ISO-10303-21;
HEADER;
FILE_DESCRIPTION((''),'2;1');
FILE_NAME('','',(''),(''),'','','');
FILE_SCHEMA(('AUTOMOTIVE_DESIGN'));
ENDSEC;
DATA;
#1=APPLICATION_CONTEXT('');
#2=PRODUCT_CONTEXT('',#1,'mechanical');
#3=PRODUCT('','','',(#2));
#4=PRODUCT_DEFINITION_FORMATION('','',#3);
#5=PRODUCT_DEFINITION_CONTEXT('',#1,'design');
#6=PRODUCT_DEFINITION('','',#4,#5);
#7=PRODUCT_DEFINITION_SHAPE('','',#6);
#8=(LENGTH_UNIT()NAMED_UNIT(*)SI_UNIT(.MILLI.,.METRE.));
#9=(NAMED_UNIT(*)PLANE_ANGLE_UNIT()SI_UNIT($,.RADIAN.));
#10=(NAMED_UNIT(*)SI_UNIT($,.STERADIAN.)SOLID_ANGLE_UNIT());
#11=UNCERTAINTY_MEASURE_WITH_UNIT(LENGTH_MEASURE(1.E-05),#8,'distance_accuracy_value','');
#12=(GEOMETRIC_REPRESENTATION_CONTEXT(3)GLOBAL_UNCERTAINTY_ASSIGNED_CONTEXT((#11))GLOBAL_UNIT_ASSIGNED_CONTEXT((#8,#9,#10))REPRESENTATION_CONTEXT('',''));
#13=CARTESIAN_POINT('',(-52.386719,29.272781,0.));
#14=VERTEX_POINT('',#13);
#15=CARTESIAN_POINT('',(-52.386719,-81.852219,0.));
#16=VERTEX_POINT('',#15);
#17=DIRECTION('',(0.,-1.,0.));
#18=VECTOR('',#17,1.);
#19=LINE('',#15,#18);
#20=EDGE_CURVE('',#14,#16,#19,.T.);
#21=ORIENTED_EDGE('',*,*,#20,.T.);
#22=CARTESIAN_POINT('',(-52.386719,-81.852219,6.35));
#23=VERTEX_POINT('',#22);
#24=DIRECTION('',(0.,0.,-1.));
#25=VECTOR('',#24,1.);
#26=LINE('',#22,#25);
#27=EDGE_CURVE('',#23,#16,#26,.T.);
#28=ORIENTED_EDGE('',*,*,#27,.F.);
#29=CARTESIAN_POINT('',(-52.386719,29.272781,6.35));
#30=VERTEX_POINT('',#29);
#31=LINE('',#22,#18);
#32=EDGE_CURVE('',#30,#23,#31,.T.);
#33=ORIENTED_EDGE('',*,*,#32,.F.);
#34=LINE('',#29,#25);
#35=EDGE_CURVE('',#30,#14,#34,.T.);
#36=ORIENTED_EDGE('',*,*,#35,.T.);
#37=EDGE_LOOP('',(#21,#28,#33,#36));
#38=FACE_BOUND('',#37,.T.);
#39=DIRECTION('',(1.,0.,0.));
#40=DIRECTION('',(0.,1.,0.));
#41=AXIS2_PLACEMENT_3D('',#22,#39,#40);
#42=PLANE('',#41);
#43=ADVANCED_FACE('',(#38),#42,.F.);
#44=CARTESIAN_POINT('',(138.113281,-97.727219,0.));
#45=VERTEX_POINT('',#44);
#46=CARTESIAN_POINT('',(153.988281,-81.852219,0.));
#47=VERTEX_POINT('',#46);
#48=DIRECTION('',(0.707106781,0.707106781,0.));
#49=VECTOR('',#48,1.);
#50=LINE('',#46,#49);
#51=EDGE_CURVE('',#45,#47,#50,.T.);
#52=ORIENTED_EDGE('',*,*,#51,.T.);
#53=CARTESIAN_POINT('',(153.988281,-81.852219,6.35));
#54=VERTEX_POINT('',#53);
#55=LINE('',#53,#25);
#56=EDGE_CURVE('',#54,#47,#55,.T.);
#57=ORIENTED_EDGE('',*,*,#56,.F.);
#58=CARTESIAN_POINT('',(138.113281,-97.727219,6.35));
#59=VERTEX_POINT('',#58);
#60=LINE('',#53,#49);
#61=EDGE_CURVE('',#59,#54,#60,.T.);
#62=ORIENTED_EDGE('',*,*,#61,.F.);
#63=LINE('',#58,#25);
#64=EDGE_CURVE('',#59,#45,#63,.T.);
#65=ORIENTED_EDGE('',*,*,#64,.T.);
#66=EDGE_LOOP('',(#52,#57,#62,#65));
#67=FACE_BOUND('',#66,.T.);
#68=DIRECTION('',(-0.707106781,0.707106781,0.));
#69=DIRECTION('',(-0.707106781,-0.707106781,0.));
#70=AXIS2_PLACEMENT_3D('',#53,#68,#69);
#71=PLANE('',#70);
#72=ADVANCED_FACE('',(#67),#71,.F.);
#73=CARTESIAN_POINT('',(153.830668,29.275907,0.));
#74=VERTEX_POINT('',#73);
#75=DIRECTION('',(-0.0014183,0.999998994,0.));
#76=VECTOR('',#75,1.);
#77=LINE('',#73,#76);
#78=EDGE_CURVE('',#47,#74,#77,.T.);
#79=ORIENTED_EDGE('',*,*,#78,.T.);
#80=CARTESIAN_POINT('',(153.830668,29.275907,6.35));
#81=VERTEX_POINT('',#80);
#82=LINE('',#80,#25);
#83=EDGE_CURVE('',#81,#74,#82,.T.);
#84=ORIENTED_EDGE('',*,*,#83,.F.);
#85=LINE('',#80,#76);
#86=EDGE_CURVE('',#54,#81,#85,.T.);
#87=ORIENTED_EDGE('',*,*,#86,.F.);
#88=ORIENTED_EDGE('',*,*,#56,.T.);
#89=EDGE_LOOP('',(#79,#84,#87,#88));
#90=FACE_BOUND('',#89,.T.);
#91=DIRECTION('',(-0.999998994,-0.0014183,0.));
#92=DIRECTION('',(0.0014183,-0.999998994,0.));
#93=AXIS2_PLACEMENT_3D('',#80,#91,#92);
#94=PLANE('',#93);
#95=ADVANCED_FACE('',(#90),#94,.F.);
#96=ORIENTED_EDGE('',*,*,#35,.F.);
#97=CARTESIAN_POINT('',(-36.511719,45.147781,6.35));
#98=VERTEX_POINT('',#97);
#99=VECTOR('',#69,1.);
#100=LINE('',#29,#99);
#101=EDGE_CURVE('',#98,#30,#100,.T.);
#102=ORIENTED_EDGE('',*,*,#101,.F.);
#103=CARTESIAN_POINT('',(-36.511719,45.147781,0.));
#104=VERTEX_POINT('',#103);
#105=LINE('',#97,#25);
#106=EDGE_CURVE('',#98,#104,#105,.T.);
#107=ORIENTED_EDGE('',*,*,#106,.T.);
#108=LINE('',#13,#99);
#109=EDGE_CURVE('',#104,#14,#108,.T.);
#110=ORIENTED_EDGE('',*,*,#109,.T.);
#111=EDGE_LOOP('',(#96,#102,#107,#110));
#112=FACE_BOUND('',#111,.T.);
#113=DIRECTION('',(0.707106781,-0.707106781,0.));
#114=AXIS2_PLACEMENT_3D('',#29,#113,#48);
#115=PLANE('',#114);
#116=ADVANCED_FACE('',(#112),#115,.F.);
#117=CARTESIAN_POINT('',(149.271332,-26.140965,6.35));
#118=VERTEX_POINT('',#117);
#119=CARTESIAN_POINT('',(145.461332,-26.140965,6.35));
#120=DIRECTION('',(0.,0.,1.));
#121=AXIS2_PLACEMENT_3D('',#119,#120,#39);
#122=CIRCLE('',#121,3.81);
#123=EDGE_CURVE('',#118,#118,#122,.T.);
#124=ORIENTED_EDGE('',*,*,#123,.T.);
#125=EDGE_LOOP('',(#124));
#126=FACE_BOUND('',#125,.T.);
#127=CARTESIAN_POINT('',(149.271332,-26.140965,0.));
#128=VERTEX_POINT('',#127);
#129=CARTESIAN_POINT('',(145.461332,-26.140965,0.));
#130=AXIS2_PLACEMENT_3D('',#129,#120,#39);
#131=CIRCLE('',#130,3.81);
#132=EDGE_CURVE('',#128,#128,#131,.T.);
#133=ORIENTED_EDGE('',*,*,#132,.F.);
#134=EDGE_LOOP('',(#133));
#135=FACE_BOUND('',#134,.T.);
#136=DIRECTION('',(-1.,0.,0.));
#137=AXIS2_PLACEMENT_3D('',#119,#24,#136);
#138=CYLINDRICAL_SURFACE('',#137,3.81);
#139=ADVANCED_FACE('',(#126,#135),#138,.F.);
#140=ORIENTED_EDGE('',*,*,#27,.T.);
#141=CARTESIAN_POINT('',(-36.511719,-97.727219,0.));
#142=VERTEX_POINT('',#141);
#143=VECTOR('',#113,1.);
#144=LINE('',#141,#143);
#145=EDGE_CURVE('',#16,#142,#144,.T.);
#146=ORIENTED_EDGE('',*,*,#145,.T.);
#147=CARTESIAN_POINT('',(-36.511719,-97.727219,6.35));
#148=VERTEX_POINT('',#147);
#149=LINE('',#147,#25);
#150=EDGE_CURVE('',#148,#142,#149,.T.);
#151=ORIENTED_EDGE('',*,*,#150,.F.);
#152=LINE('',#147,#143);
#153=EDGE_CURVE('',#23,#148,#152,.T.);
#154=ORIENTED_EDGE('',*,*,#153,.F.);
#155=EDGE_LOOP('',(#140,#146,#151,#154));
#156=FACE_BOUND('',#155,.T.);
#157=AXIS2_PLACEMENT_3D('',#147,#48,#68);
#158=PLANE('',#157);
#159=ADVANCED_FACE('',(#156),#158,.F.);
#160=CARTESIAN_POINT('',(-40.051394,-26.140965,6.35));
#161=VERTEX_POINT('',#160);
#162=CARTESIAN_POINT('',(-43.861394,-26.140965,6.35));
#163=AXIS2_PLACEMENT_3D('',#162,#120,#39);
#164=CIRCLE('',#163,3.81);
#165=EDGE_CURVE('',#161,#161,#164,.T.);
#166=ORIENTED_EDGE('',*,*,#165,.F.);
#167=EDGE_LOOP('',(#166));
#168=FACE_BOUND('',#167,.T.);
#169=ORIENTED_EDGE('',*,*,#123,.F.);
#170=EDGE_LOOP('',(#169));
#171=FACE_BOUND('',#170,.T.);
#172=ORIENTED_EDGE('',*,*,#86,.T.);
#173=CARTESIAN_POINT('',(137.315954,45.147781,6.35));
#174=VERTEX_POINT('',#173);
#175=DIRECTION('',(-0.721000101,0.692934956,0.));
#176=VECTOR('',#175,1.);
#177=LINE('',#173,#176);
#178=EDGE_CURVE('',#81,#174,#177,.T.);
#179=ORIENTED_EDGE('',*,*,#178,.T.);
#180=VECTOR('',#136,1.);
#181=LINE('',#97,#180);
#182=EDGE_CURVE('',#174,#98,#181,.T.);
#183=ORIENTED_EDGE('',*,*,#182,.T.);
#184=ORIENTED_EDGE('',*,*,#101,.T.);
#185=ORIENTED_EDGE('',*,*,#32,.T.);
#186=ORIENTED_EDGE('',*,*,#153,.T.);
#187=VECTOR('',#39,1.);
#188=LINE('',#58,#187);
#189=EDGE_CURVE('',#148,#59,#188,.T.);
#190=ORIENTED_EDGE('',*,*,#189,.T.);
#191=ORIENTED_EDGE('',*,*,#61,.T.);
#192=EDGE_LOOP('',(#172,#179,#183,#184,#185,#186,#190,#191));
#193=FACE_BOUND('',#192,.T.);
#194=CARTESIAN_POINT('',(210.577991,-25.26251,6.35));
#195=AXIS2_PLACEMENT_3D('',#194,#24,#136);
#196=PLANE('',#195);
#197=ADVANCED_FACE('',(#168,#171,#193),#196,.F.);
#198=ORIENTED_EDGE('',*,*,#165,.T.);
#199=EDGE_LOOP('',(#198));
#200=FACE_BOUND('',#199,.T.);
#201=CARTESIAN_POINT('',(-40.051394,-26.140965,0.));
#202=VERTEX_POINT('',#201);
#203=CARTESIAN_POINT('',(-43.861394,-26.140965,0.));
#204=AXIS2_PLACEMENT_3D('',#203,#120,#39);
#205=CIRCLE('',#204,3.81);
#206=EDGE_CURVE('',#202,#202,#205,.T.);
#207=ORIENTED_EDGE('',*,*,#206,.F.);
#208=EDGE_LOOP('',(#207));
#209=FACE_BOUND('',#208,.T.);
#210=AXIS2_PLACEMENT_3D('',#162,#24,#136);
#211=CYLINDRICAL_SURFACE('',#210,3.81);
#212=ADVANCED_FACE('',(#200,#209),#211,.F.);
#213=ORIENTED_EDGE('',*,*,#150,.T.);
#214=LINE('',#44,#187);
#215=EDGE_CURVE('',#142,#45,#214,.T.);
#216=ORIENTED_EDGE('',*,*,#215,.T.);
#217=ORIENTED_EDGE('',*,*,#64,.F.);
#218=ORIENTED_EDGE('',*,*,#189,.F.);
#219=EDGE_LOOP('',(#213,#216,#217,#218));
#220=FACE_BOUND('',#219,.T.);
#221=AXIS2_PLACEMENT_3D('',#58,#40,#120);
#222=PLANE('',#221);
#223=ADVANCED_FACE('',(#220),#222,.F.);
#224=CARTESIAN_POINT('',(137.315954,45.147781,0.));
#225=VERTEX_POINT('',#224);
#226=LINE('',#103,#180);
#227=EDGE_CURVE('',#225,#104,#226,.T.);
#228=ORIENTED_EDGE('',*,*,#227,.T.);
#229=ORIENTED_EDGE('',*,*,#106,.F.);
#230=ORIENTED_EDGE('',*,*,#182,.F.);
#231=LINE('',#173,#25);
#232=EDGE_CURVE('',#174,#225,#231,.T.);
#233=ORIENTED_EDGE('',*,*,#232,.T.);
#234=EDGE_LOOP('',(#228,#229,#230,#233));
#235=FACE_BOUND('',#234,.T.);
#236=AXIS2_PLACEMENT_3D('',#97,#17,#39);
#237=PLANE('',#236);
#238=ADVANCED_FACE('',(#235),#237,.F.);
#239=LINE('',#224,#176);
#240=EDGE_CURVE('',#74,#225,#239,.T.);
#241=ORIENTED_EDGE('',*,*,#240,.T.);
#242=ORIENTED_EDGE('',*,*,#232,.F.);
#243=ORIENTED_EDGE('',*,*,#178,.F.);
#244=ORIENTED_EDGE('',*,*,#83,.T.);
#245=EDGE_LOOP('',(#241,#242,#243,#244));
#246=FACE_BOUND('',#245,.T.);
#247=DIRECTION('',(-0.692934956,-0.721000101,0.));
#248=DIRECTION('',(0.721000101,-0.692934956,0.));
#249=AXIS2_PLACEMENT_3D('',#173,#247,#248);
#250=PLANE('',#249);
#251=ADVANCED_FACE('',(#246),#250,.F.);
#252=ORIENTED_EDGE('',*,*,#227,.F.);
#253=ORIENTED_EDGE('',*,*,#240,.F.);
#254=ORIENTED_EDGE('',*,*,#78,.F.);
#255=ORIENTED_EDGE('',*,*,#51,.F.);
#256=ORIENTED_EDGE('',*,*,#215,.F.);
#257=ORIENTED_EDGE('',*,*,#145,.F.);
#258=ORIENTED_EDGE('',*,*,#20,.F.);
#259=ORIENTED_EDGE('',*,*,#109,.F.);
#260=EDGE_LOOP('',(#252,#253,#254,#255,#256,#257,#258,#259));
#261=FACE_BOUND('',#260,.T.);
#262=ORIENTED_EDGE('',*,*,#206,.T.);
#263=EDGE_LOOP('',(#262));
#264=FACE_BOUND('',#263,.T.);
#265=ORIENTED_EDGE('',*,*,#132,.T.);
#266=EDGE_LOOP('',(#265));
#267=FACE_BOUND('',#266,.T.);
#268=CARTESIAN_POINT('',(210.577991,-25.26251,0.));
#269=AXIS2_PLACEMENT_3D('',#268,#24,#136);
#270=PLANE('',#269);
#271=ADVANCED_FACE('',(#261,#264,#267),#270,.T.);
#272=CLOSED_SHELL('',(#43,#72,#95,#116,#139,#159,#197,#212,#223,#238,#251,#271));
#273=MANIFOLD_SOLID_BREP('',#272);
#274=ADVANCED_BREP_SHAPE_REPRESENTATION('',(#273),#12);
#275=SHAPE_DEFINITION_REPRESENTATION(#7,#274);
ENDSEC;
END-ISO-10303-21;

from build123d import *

# Parameters (mm, degrees)
SKETCH1_R      = 3.81
EXTRUDE1_DEPTH = 6.35


with BuildPart() as part:
    # Sketch1 → Extrude1 (new body)
    with BuildSketch(Plane.XY):
        Polygon((153.8306681, 29.27590686), (153.9882813, -81.852219443), (138.1132813, -97.727219443), (-36.5117187, -97.727219443), (-52.3867187, -81.852219443), (-52.3867187, 29.272780557), (-36.5117187, 45.147780557), (137.315954212, 45.147780557), align=None)
        with Locations((145.461332338, -26.140965423)):
            Circle(SKETCH1_R, mode=Mode.SUBTRACT)
        with Locations((-43.861393994, -26.140965423)):
            Circle(SKETCH1_R, mode=Mode.SUBTRACT)
    extrude(amount=EXTRUDE1_DEPTH)


solid = part.part
